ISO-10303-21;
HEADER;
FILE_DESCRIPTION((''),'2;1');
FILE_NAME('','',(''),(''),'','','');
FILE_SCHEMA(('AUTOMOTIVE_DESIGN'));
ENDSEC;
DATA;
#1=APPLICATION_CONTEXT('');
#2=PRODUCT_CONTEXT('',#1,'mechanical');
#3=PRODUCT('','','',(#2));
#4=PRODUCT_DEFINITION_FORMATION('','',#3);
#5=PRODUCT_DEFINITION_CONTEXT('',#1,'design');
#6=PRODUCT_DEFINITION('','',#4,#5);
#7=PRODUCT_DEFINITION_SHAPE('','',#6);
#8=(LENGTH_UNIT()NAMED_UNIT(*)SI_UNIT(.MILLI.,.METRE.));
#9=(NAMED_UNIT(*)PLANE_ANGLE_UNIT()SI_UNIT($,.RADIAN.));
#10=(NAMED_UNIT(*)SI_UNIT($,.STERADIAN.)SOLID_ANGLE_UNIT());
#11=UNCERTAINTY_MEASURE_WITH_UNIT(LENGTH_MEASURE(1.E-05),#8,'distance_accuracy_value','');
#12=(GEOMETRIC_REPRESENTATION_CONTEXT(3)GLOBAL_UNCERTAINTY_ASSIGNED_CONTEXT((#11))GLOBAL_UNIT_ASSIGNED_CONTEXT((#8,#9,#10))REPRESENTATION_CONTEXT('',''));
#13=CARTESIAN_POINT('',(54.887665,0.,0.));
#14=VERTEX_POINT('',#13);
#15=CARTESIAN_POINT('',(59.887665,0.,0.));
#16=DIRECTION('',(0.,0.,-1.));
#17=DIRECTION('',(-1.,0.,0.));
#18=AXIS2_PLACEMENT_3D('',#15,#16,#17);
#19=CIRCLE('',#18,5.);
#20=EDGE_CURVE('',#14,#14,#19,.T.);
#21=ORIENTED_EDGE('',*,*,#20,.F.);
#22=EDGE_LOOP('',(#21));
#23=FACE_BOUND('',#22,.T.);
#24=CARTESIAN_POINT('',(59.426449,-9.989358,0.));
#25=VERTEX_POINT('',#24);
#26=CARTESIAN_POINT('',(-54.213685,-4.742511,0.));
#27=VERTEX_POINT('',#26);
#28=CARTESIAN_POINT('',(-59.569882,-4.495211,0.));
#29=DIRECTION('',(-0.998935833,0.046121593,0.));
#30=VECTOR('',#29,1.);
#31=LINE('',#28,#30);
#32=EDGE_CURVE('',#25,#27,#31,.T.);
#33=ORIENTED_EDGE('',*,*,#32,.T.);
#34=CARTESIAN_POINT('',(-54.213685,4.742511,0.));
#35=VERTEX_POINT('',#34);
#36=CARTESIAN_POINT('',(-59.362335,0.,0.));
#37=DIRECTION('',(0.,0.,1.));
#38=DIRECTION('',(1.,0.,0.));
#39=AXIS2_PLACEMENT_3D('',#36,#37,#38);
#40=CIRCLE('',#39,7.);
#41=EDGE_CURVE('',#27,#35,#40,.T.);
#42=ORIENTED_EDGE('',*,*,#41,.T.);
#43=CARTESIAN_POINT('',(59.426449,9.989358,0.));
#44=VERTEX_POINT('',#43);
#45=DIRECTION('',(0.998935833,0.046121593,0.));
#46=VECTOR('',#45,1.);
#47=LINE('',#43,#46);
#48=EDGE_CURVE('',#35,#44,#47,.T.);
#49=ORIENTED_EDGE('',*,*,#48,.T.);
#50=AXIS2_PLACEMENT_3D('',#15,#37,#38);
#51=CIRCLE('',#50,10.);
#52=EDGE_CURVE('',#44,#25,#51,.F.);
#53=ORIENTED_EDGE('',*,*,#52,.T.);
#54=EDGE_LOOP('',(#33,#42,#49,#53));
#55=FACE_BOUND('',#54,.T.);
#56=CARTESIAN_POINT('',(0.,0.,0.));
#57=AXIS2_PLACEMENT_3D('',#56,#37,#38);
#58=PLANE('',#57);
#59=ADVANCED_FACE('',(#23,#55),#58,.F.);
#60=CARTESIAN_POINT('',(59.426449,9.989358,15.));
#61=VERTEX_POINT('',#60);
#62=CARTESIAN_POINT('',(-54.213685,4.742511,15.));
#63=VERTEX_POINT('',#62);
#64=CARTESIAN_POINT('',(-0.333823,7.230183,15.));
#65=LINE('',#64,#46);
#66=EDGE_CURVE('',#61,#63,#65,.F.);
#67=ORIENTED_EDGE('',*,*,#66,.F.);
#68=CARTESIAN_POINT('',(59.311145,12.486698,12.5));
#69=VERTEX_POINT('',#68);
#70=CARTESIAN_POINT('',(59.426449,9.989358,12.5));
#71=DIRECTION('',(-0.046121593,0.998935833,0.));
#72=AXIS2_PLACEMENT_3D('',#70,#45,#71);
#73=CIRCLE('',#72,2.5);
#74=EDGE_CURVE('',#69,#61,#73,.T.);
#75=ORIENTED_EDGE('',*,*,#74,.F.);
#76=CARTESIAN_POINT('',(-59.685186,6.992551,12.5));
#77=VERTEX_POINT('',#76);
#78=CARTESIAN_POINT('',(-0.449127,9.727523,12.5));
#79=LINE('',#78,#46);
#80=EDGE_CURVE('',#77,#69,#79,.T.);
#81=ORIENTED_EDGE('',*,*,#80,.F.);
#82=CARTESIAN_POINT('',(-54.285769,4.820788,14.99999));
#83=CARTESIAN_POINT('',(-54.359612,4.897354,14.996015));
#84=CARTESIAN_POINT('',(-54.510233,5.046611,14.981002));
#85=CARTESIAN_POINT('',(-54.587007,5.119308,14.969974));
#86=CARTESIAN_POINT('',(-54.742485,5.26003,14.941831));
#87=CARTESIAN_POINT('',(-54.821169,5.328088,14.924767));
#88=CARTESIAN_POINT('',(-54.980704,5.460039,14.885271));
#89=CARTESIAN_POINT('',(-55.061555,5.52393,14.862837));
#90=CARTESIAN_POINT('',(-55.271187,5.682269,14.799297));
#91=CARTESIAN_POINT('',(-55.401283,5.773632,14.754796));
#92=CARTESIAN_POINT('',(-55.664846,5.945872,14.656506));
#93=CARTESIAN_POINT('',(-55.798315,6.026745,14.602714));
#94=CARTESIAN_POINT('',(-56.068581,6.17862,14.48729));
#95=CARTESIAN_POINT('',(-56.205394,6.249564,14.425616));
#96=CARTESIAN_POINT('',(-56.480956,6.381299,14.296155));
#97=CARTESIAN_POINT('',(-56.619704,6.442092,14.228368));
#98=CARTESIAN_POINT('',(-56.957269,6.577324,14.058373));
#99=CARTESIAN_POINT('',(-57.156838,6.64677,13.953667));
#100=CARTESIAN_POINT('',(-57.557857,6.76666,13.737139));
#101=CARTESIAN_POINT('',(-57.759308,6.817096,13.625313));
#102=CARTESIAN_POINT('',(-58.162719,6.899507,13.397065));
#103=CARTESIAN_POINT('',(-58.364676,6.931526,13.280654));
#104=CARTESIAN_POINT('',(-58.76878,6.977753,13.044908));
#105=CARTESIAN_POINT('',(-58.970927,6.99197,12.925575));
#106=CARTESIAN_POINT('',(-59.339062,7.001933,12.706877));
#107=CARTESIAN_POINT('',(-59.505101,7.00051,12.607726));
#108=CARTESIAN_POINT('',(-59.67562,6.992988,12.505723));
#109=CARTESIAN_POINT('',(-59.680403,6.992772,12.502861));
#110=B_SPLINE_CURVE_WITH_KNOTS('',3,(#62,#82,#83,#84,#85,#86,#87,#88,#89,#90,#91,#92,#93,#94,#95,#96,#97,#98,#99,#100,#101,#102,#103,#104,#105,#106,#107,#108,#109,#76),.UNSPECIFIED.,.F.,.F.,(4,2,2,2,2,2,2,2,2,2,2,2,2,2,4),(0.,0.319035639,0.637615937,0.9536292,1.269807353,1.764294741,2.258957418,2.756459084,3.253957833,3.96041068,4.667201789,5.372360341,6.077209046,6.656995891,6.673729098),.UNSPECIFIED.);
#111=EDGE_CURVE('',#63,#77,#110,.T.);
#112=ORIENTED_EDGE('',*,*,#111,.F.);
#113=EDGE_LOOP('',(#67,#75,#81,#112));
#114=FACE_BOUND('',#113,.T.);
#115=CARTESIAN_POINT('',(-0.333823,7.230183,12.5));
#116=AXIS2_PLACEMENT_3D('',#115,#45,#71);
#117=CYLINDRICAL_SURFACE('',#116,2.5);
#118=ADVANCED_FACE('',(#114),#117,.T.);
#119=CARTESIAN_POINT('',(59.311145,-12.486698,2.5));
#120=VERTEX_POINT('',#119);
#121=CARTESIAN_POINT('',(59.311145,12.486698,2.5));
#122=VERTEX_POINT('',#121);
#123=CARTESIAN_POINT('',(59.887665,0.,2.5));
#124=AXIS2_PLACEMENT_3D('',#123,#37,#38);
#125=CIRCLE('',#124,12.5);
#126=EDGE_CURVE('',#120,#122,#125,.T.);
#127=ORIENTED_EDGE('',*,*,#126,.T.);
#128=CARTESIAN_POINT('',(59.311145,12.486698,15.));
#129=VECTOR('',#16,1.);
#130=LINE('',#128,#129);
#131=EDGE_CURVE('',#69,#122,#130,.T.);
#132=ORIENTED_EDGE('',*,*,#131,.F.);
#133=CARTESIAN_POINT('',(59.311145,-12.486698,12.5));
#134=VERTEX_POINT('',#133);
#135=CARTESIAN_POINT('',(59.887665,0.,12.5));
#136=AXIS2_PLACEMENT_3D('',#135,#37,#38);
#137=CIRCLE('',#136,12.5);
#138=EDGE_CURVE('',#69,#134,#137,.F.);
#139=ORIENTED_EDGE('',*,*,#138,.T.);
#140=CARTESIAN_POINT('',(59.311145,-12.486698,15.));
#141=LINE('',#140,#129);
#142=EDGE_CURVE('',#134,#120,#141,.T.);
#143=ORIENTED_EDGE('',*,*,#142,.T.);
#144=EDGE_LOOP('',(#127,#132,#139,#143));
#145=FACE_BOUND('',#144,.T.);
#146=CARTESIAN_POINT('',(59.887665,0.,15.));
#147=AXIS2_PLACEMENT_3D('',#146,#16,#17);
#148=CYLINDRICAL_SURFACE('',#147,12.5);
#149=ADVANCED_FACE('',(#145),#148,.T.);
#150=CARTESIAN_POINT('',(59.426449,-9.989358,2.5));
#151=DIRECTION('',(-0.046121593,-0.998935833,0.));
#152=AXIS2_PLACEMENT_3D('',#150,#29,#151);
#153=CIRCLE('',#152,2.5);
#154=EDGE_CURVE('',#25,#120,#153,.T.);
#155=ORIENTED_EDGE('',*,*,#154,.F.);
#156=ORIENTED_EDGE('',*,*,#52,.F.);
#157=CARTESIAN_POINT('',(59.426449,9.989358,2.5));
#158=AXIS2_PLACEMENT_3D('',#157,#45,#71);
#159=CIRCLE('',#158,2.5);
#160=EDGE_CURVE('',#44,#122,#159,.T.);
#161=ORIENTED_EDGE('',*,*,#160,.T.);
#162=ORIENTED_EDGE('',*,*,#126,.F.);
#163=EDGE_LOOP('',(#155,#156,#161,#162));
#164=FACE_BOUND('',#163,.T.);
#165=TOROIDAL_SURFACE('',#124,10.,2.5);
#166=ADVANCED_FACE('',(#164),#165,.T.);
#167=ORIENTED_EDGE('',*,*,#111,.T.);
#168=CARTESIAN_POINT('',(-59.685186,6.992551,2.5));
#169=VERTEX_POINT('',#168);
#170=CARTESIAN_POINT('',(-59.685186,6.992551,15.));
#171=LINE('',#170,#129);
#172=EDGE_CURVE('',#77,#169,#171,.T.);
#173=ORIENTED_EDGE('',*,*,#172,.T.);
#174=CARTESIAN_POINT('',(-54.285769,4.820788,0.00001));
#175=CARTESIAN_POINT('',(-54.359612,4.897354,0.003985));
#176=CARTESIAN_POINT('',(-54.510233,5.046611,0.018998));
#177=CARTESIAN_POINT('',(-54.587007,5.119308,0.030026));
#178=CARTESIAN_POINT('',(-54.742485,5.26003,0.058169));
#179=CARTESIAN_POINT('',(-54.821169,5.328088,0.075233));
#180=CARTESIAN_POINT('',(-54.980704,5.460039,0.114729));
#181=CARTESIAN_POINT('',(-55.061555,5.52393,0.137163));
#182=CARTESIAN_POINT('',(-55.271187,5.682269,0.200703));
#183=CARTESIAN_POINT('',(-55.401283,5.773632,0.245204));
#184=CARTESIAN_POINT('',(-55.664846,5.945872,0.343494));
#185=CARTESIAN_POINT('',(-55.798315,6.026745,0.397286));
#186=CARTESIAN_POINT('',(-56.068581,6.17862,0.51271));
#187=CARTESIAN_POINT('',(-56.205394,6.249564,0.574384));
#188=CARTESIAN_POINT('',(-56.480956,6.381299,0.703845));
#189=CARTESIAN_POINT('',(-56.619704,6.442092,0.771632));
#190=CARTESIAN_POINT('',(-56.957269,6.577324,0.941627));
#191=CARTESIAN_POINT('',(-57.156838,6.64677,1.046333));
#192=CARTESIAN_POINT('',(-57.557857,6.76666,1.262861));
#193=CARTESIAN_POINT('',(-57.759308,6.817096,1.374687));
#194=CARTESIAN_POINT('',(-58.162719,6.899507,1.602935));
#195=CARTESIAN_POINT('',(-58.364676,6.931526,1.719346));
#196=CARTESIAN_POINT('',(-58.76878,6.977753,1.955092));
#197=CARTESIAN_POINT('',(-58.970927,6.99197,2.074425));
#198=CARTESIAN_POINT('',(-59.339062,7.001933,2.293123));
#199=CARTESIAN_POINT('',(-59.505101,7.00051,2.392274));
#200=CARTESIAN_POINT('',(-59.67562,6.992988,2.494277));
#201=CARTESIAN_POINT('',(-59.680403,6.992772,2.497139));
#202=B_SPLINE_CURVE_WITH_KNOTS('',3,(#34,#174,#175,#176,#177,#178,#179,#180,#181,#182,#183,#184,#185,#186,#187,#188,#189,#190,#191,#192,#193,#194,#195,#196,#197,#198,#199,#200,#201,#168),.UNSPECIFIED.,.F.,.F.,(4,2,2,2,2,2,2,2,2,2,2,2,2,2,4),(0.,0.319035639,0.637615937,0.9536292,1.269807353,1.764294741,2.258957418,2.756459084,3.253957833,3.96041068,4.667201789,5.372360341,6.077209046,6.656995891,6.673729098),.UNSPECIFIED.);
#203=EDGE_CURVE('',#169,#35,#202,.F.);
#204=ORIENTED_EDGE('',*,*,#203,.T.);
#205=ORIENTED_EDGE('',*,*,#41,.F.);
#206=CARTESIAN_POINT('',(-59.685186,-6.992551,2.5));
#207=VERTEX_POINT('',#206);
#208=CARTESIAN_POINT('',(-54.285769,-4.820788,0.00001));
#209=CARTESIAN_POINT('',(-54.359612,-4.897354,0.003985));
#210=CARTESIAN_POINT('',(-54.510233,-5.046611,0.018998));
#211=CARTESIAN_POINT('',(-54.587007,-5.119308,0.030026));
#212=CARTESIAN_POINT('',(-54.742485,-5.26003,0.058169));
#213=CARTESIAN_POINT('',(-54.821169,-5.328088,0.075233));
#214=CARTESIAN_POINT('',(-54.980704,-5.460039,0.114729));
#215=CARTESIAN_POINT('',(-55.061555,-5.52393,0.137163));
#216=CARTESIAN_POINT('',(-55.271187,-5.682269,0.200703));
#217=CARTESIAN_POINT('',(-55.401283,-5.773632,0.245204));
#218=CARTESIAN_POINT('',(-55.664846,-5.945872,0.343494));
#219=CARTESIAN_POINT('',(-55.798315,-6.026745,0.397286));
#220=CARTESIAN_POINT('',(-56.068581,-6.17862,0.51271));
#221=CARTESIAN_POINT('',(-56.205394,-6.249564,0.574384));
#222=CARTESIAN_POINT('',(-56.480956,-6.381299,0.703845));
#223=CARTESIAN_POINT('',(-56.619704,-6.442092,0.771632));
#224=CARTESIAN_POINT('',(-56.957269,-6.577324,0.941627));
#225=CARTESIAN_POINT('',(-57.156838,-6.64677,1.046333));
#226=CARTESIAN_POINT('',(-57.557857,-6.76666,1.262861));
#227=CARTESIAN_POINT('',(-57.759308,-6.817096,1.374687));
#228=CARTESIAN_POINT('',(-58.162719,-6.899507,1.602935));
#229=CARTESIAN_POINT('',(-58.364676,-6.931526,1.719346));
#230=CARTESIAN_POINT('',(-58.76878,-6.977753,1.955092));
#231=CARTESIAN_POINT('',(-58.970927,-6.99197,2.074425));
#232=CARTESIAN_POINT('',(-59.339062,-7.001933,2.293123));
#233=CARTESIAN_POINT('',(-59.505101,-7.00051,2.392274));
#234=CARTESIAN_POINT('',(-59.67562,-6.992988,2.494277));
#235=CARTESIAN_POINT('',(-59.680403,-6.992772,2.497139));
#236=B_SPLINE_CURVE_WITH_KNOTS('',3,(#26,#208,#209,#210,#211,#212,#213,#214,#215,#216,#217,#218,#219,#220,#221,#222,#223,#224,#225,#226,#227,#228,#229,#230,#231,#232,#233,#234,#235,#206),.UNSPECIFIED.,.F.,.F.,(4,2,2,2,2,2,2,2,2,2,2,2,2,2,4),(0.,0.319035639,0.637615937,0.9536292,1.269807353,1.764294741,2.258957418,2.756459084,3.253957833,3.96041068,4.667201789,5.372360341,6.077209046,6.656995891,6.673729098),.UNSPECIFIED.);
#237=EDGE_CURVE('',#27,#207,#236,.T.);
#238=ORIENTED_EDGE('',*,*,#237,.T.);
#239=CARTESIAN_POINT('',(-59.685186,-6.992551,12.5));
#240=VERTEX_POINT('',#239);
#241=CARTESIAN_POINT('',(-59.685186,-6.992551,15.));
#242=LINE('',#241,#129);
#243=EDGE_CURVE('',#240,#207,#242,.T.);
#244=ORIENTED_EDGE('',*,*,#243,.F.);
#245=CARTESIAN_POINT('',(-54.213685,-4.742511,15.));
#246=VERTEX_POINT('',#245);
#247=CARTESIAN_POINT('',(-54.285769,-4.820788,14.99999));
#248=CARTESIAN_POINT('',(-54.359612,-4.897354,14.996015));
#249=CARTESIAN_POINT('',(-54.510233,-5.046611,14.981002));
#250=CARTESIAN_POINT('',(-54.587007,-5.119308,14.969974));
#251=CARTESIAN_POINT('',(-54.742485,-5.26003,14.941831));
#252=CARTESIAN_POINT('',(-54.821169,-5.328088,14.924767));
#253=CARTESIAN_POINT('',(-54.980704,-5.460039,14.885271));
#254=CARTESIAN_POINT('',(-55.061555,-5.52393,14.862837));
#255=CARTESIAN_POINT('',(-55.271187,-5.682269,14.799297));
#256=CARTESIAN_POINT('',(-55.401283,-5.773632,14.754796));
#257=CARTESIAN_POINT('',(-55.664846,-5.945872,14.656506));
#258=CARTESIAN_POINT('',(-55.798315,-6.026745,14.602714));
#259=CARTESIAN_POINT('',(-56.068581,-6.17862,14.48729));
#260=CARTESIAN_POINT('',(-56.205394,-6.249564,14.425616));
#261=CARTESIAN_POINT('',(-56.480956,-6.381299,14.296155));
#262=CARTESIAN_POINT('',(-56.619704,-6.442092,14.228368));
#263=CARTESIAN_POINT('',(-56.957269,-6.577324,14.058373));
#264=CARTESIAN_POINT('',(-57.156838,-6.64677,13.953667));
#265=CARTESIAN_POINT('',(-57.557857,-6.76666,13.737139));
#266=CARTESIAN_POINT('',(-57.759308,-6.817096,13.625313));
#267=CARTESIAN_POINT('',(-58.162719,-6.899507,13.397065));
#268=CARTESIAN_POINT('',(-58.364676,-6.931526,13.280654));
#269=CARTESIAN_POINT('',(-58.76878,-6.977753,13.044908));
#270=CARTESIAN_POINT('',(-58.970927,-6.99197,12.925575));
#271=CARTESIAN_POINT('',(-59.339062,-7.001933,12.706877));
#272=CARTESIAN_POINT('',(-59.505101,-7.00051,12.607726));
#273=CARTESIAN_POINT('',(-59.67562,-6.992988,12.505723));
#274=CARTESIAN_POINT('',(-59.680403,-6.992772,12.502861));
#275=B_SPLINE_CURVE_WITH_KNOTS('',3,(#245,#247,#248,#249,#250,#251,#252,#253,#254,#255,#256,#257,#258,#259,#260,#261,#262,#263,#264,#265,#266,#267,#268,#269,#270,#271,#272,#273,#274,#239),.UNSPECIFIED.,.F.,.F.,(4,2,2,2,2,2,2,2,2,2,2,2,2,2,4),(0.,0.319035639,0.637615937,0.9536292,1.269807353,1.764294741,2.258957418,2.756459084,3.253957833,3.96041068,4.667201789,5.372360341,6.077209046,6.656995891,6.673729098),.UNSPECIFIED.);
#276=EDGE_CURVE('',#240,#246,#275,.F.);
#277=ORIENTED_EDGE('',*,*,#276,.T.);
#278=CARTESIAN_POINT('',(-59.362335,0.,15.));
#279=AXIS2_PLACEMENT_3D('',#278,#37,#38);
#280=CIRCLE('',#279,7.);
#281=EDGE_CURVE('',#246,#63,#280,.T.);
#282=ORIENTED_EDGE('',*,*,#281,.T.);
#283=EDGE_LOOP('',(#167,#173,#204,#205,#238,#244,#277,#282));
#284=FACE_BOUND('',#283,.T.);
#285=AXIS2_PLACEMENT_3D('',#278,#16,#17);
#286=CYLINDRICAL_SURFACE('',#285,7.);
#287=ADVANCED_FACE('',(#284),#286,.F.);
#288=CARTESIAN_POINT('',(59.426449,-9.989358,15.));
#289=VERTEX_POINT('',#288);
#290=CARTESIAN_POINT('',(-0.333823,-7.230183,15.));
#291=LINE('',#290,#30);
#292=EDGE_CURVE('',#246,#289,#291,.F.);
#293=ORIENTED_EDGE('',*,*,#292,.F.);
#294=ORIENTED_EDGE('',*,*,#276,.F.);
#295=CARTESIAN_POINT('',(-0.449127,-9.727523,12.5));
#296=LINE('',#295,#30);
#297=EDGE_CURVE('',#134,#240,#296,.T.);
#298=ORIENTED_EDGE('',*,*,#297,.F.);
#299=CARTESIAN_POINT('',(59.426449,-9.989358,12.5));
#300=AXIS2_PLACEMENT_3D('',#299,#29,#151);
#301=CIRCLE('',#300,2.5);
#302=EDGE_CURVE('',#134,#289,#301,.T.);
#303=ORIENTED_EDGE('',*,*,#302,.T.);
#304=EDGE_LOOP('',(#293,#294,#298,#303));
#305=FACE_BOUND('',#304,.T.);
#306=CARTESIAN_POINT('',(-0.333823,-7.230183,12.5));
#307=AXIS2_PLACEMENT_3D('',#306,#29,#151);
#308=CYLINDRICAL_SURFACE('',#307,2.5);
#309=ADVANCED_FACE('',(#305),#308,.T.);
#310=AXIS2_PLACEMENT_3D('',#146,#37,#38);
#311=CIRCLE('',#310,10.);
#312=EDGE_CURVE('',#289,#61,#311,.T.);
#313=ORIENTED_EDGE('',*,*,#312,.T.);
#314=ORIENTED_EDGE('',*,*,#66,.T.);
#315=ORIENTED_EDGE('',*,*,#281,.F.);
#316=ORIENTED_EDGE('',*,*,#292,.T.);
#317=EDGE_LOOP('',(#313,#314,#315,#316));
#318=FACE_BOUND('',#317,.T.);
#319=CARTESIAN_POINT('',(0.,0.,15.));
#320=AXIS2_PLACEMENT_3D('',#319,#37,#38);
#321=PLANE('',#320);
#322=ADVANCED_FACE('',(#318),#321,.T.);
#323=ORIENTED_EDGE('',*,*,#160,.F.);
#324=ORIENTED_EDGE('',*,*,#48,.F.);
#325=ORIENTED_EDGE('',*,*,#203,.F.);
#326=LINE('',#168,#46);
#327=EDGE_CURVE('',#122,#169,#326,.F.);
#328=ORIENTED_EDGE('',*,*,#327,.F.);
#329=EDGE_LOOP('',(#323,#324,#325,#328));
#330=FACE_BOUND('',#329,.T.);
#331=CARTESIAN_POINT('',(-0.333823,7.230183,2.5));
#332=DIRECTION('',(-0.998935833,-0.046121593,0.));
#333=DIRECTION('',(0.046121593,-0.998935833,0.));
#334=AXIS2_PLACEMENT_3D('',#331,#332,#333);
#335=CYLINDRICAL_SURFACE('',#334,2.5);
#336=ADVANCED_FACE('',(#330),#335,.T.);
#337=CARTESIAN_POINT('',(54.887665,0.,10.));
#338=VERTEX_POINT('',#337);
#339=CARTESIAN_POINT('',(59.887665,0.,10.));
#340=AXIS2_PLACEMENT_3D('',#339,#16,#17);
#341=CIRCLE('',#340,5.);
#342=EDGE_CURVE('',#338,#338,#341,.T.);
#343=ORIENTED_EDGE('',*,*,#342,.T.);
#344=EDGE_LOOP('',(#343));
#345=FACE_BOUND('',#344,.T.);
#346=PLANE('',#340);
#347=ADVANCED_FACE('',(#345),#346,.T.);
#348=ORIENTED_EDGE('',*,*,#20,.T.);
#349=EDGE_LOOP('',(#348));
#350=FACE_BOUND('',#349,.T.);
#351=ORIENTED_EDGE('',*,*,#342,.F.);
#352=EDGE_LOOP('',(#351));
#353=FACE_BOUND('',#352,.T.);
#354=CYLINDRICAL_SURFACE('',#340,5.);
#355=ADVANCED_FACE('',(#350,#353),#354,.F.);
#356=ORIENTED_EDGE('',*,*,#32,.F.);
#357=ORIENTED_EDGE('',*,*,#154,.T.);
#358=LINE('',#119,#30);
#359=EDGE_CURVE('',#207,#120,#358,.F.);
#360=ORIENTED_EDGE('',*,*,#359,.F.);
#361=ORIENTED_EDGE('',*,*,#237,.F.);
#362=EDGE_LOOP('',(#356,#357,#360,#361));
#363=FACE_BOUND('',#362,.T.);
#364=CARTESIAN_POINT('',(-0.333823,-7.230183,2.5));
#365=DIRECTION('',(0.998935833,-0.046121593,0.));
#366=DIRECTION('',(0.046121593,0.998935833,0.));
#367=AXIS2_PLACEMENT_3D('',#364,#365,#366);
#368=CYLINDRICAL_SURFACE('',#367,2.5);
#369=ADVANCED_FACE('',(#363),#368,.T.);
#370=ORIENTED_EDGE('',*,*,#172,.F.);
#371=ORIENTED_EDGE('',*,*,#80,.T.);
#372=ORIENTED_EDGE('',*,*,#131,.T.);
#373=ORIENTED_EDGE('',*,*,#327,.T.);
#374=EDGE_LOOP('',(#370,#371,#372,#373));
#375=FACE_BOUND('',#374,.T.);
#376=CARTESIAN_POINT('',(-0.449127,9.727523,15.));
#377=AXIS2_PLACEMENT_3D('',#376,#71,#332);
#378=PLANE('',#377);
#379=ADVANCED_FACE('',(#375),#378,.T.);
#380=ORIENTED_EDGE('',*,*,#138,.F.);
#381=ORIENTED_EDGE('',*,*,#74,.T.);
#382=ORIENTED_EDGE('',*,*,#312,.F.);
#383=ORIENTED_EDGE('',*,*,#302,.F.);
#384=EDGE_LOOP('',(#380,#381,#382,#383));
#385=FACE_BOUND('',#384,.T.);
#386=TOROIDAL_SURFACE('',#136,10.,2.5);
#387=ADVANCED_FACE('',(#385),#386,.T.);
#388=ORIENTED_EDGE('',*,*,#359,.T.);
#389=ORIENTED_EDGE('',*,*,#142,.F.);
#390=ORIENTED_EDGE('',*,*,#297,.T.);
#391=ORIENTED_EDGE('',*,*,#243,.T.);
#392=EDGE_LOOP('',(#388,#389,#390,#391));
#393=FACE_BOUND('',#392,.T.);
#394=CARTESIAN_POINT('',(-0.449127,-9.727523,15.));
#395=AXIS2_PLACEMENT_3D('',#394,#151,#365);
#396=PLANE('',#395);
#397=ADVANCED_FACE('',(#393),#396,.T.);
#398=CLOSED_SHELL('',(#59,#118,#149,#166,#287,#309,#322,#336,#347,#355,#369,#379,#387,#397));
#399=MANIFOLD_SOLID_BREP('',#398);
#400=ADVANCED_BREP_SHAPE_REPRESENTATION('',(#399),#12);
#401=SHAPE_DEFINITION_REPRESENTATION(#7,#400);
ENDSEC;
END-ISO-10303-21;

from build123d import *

# Parameters (mm, degrees)
BOSS_EXTRUDE1_DEPTH = 15
SKETCH2_R           = 5
CUT_EXTRUDE1_DEPTH  = 10
FILLET1_R           = 2.5


with BuildPart() as part:
    # Sketch1 → Boss-Extrude1 (new body)
    with BuildSketch(Plane.XY):
        with BuildLine():
            ThreePointArc((-59.685185955, 6.992550832), (-52.362334802, 0), (-59.685185955, -6.992550832))
            Line((-59.685185955, -6.992550832), (59.311145469, -12.486697922))
            ThreePointArc((59.311145469, -12.486697922), (72.387665198, 1.24e-07), (59.311145222, 12.486697911))
            Line((59.311145222, 12.486697911), (-59.685185955, 6.992550832))
        make_face()
    extrude(amount=BOSS_EXTRUDE1_DEPTH)

    # Sketch2 → Cut-Extrude1 (cut)
    with BuildSketch(Plane(origin=(0, 0, 0), x_dir=(-1, 0, 0), z_dir=(0, 0, -1))):
        with Locations((-59.887665198, 0)):
            Circle(SKETCH2_R)
    extrude(amount=-CUT_EXTRUDE1_DEPTH, mode=Mode.SUBTRACT)

    # Fillet1
    fillet1_edges = [part.edges().sort_by_distance(p)[0] for p in [
        (72.387665198, 1.24e-07, 15),
        (-0.187020366, 9.739624371, 15),
        (-0.187020243, -9.739624377, 15),
        (-0.187020366, 9.739624371, 0),
        (72.387665198, 1.24e-07, 0),
        (-0.187020243, -9.739624377, 0),
    ]]
    fillet(fillet1_edges, radius=FILLET1_R)


solid = part.part
